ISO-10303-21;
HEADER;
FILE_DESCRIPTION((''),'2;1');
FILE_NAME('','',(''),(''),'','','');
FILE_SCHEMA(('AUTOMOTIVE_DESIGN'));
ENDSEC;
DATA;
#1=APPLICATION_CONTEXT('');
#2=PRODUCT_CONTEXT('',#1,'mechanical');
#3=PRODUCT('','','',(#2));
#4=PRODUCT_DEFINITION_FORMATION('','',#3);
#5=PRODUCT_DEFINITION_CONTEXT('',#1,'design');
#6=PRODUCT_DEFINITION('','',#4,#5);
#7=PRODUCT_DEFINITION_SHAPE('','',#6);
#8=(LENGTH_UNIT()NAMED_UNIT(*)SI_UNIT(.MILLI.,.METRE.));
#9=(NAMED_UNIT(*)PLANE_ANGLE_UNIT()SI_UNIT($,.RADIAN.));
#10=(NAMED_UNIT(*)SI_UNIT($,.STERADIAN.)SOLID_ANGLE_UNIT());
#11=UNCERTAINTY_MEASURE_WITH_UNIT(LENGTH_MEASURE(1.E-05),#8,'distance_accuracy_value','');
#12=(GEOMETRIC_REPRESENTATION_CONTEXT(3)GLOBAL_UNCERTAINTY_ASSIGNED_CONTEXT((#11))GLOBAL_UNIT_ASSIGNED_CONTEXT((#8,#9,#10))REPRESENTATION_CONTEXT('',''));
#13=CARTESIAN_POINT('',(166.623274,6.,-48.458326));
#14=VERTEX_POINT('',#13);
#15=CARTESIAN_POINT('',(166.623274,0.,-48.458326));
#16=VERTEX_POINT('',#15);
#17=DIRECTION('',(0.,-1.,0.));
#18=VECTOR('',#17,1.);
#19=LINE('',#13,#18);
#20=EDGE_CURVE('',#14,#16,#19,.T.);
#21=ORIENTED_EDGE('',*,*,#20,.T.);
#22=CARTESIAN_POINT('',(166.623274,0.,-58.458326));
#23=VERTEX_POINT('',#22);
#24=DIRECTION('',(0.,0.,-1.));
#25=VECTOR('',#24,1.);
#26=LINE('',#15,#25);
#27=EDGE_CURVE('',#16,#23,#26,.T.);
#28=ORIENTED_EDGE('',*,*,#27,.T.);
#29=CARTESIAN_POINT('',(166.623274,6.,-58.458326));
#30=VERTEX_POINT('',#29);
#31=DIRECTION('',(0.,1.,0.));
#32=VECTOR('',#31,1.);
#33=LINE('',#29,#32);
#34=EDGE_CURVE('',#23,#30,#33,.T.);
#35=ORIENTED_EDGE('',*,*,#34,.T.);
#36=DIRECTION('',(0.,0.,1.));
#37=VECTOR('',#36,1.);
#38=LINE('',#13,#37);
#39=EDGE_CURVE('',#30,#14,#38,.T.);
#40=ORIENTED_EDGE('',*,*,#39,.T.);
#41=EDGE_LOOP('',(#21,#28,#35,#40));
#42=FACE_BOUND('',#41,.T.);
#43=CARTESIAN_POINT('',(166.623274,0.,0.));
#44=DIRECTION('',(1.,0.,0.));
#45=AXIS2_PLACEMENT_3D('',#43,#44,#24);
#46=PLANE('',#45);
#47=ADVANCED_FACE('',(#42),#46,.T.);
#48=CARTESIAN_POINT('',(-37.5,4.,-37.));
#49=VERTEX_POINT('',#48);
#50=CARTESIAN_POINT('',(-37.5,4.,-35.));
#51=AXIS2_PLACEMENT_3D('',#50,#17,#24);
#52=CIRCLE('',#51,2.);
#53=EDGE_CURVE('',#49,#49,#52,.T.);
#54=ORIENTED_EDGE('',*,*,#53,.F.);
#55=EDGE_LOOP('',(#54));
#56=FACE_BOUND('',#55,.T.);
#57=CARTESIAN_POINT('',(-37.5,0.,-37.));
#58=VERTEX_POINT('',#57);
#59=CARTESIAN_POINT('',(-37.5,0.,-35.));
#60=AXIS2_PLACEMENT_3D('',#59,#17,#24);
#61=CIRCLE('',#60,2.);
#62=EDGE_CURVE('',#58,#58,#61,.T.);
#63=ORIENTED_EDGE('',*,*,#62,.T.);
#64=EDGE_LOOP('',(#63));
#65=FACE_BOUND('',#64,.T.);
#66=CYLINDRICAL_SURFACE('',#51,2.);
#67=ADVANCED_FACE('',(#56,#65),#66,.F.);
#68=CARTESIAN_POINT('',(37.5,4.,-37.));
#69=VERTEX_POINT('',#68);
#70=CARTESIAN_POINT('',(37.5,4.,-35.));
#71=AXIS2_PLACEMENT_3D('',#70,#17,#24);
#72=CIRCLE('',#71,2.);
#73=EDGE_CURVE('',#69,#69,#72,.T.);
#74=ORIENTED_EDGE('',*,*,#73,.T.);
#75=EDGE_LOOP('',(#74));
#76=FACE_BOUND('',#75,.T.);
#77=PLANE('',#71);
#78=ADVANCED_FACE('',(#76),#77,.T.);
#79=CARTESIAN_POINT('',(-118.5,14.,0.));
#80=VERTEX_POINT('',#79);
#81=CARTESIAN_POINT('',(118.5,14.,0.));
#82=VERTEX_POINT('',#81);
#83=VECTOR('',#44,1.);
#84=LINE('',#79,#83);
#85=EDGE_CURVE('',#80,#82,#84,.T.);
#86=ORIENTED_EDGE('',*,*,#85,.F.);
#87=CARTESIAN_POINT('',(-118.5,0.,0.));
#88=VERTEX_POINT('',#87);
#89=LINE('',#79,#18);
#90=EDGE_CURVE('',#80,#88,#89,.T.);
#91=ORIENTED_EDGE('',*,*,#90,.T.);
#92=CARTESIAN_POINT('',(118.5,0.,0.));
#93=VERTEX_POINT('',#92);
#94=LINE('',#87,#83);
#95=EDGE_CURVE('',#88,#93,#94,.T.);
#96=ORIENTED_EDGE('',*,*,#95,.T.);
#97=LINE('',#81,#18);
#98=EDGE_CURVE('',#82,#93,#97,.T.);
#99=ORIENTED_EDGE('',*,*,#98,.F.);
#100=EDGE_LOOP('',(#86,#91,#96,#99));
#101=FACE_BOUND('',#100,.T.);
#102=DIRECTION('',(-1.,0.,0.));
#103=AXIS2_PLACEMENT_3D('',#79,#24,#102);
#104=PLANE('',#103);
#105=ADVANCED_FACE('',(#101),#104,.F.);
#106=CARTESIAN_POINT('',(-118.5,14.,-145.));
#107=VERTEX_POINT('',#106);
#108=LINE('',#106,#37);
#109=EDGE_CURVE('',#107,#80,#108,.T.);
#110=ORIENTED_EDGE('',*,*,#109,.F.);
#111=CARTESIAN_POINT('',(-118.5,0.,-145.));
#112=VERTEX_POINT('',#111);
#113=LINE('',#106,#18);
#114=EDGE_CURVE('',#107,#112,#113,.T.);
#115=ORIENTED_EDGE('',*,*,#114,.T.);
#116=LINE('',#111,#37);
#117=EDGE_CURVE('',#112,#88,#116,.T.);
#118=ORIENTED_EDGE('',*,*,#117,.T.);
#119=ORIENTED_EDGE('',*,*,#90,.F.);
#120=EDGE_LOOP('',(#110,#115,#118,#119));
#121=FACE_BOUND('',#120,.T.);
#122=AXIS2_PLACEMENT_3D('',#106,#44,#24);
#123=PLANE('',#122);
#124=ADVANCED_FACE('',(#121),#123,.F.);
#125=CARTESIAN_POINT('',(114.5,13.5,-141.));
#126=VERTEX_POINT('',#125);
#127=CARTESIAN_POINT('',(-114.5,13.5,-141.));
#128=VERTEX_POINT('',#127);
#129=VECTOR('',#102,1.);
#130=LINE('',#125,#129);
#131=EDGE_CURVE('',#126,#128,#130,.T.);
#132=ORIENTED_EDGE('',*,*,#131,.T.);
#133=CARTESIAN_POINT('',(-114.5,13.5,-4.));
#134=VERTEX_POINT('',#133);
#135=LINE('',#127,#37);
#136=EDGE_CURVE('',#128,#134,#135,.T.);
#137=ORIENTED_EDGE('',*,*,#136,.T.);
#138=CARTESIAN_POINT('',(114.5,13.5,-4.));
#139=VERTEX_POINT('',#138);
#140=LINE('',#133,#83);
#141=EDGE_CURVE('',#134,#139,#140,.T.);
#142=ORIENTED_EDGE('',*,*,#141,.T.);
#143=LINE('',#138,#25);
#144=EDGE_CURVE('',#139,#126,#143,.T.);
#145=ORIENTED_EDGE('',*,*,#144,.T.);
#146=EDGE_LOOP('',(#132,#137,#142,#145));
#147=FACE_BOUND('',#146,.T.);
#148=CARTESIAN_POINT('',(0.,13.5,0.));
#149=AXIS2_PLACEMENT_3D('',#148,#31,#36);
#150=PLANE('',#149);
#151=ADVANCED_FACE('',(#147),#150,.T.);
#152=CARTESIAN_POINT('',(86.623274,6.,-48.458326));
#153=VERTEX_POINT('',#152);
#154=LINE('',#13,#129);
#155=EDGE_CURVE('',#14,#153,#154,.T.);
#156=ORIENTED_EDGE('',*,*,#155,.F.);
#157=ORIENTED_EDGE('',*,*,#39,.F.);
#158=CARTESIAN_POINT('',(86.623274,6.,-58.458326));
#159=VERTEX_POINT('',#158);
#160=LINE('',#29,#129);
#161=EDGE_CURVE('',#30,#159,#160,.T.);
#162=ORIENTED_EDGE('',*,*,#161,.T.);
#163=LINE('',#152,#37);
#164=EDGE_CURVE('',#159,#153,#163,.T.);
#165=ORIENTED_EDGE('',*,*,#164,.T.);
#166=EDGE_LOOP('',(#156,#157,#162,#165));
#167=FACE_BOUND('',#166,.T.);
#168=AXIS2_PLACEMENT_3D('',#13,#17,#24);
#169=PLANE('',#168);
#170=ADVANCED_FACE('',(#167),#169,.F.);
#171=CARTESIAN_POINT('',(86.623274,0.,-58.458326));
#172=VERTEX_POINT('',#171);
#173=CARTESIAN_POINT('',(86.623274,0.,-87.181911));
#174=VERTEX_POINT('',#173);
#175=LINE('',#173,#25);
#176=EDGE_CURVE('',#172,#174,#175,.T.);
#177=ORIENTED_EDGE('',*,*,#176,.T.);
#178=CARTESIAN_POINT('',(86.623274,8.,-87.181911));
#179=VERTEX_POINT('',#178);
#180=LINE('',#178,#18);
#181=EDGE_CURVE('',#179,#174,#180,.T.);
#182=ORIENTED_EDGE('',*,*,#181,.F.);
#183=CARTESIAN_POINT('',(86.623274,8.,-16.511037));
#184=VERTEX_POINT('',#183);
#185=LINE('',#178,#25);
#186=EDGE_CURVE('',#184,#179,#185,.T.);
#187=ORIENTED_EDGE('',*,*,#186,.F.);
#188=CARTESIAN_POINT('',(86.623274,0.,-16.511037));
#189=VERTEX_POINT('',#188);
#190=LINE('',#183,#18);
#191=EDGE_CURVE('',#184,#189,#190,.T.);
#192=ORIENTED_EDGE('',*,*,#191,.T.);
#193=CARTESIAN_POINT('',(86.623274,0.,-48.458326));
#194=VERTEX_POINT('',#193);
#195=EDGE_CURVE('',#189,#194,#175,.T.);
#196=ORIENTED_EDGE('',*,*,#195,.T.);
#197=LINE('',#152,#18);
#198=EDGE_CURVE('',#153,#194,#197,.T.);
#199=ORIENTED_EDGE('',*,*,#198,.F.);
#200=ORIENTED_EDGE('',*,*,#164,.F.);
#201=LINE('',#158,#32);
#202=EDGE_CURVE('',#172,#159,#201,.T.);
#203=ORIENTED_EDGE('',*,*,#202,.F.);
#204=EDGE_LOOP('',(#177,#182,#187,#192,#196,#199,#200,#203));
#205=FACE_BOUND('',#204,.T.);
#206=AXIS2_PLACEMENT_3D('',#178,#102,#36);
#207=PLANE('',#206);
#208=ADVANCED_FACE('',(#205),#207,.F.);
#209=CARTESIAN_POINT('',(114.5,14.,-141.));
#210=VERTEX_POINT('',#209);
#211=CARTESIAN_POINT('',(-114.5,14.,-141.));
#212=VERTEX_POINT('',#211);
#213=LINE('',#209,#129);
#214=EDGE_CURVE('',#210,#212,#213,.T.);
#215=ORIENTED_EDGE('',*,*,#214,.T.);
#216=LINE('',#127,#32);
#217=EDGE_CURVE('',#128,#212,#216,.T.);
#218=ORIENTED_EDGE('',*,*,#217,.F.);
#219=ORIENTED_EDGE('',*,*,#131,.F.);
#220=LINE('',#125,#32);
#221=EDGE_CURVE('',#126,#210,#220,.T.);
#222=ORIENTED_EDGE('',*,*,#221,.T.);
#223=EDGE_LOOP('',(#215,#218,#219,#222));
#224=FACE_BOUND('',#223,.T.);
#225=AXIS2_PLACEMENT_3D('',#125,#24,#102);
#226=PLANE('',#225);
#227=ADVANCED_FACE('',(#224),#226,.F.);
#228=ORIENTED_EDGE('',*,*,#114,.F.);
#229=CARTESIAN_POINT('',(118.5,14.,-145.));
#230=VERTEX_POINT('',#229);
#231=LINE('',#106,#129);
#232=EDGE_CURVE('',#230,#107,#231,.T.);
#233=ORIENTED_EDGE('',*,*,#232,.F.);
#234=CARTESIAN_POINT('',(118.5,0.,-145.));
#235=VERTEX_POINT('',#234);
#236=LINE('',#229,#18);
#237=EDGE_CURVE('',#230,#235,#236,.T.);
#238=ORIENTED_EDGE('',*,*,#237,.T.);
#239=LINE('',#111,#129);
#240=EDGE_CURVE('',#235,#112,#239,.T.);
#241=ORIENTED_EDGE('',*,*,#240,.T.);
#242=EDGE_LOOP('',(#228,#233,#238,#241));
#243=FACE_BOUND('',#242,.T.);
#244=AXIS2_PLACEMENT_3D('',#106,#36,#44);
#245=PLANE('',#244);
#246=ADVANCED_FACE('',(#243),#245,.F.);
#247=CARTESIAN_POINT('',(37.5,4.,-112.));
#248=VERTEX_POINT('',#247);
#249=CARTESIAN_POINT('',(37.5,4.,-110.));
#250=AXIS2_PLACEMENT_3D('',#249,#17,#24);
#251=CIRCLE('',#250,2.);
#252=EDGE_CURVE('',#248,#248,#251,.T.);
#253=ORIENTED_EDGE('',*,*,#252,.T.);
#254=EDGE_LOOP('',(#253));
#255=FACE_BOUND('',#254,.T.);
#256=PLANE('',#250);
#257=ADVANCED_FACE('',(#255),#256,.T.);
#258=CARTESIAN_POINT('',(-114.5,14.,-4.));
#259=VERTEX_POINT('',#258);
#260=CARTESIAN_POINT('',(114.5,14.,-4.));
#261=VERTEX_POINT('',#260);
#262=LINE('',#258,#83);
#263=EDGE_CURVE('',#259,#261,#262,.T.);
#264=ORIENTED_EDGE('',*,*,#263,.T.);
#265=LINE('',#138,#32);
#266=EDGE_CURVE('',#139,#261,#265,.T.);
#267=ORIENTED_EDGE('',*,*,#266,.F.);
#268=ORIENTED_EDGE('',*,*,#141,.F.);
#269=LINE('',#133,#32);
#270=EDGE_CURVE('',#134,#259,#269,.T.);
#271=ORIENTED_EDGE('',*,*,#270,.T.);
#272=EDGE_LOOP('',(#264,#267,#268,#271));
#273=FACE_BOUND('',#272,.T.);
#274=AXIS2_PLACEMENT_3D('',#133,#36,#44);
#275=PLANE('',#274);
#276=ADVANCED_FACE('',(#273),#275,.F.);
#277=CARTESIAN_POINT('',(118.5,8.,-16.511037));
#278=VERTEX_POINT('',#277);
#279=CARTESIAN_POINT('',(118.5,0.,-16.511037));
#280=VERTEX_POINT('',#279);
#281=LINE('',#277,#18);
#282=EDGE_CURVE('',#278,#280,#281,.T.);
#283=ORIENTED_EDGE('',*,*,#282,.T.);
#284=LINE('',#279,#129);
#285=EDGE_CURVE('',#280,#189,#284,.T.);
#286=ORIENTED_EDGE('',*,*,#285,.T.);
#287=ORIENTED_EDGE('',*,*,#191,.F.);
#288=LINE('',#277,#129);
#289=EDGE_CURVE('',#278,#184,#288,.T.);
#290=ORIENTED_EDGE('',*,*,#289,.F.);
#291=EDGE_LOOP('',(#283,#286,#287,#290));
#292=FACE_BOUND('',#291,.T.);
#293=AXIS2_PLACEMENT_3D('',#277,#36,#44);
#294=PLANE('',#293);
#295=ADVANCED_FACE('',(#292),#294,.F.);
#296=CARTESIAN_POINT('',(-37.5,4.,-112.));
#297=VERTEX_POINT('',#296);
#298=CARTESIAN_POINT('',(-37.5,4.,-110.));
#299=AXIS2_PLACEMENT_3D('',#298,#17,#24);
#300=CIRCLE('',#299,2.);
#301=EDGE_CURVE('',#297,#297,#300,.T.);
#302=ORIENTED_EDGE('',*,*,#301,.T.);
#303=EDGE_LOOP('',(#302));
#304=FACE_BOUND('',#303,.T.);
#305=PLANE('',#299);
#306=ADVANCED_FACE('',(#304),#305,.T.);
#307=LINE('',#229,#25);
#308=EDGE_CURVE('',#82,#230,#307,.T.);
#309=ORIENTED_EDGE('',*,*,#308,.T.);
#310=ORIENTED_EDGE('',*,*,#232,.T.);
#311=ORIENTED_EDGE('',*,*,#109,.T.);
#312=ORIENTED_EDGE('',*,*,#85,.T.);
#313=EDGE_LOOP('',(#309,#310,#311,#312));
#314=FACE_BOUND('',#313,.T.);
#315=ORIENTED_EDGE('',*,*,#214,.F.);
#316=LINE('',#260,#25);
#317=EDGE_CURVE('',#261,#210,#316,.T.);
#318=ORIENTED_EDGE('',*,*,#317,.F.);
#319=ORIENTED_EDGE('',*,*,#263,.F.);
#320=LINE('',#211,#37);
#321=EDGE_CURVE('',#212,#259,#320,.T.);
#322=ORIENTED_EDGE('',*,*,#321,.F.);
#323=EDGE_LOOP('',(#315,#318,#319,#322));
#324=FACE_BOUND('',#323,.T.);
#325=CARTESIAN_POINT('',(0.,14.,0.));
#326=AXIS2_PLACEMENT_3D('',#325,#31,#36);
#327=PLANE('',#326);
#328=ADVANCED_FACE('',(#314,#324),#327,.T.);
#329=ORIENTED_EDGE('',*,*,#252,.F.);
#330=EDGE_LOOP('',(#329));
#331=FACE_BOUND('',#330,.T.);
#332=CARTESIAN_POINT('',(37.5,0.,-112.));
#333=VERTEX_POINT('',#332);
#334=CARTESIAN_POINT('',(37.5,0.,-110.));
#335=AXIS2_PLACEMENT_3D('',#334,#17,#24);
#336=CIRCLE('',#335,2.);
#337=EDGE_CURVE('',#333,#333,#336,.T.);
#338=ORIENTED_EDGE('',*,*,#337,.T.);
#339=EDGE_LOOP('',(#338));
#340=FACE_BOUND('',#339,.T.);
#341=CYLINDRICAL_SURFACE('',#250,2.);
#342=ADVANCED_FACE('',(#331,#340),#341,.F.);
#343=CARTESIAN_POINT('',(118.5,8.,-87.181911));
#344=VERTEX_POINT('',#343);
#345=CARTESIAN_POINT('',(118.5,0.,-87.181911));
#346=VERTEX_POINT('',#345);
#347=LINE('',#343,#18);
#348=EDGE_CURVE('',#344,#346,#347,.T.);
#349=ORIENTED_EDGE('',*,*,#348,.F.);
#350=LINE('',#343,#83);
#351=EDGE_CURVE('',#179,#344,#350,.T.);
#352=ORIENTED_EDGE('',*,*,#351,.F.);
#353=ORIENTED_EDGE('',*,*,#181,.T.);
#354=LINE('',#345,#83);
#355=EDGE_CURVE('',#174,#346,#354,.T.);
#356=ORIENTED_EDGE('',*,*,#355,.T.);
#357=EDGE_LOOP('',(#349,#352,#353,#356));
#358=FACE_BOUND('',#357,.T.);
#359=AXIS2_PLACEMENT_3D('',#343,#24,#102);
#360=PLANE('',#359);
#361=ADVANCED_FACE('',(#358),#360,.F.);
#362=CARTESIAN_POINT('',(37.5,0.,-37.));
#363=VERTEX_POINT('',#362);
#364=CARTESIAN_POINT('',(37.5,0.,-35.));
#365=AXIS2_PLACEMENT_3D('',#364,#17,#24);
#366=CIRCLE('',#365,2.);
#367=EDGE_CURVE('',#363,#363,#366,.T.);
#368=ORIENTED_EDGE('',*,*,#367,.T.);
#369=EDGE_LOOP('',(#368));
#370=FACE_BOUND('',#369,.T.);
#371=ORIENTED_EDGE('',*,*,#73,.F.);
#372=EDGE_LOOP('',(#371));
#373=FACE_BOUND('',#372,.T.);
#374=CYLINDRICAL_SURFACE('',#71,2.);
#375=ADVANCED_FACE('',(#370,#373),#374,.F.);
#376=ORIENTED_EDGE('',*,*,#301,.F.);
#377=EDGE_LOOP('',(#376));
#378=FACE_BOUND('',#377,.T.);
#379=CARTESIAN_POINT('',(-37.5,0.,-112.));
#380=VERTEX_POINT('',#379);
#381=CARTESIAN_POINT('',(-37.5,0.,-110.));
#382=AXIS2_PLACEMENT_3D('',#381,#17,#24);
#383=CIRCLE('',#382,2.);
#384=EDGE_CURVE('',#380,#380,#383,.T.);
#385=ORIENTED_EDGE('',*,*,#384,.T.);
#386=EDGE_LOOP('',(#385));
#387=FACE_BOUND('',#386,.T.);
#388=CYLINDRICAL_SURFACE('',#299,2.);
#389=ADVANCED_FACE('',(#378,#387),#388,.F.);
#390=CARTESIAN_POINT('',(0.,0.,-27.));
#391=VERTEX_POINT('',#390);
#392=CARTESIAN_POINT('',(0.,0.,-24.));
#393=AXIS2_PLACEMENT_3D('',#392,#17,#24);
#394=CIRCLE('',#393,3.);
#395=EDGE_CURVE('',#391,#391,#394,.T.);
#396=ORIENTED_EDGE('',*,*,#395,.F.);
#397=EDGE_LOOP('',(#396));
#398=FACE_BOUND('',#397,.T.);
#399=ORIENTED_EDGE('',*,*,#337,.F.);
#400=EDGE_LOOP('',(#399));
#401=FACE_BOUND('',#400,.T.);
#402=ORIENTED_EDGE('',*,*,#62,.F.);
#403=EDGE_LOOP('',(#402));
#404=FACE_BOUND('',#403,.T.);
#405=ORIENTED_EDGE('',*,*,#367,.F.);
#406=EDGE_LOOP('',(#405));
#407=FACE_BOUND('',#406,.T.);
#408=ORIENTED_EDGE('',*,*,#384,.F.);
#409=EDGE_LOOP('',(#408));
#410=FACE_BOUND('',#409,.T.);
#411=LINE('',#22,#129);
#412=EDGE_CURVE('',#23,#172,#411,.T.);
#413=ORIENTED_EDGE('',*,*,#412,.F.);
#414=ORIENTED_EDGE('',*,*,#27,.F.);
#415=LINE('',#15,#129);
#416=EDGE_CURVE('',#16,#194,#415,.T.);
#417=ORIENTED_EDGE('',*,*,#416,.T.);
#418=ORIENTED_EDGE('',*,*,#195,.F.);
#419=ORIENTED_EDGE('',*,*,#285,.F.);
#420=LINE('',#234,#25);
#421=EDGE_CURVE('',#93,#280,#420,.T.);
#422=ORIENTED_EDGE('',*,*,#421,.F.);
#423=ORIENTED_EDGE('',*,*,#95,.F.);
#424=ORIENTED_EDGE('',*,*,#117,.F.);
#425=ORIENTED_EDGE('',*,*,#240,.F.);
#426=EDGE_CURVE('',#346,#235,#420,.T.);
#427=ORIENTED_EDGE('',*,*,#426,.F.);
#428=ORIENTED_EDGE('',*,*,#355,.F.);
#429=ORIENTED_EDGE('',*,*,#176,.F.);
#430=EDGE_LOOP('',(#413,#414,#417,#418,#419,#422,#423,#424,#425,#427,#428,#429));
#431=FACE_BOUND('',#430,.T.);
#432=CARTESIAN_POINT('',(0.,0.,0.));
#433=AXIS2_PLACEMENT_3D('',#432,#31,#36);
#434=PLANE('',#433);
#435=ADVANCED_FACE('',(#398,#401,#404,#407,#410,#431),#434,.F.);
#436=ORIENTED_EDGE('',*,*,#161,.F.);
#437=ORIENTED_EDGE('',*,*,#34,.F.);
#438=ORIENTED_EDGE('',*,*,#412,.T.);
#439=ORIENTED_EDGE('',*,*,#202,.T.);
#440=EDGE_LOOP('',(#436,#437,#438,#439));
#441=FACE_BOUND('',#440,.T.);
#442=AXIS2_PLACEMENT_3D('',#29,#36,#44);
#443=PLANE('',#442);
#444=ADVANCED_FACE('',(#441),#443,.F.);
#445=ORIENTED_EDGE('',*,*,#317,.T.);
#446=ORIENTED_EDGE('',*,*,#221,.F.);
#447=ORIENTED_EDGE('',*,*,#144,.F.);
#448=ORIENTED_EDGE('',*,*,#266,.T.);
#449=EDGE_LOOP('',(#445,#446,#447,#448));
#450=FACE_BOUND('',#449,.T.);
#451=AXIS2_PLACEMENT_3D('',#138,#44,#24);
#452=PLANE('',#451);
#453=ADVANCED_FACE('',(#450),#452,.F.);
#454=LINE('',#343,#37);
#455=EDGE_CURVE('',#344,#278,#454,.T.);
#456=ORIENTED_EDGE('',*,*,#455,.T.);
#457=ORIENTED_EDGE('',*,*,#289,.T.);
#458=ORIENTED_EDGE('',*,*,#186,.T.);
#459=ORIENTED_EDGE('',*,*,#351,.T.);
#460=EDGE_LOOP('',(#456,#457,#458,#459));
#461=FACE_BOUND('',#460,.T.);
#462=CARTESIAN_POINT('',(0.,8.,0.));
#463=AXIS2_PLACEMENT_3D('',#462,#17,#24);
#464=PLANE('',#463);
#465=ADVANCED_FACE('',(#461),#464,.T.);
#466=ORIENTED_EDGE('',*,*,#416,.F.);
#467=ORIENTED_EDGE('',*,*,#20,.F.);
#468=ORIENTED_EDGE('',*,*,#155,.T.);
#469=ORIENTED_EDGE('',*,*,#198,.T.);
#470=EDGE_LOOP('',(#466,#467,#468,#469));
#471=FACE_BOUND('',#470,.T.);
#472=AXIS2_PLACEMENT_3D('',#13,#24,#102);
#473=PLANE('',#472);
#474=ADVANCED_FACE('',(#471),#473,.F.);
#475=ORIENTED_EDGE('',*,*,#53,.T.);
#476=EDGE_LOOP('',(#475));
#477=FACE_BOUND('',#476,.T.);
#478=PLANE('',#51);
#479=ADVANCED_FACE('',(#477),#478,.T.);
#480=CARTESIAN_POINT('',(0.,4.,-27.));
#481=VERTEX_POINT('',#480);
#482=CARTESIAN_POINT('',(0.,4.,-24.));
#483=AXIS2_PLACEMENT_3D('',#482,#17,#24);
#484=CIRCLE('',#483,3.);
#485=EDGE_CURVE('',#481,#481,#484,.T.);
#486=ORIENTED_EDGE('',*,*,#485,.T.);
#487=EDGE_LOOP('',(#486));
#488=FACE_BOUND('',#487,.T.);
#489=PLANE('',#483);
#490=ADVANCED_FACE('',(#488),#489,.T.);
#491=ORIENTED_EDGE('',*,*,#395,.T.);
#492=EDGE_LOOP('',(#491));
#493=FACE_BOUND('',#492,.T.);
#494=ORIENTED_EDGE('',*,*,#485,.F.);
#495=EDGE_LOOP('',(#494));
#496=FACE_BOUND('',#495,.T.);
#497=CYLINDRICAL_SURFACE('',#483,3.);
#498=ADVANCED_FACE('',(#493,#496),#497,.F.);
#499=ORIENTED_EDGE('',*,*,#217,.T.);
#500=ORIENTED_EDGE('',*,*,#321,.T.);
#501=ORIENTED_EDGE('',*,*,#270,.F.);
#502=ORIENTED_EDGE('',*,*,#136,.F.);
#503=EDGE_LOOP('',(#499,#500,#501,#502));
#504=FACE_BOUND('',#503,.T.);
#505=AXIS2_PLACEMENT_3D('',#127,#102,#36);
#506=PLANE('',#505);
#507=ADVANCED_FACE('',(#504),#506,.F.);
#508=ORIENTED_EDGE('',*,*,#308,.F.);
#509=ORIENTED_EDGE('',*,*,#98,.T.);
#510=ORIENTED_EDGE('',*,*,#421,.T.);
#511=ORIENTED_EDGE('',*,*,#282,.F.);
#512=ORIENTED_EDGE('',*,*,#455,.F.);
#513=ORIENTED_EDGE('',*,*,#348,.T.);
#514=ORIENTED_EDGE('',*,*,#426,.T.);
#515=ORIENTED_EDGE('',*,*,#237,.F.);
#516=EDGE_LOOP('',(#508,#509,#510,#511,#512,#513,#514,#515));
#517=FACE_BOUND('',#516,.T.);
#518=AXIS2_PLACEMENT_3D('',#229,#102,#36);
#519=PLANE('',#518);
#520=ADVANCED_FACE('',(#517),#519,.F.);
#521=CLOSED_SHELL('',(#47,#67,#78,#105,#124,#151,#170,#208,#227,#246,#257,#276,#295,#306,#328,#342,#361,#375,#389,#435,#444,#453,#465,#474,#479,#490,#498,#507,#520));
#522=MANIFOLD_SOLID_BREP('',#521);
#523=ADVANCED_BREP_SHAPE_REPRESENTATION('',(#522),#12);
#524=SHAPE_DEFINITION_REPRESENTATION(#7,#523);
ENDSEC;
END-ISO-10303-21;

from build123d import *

# Parameters (mm, degrees)
SKETCH_1_W          = 237
SKETCH_1_H          = 145
EXTRUDE_1_DEPTH     = 14
SKETCH_2_R          = 2
SKETCH_2_R_2        = 3
CUT_EXTRUDE_1_DEPTH = 4
SKETCH_3_W          = 31.876725666
SKETCH_3_H          = 70.670873742
CUT_EXTRUDE_2_DEPTH = 8
SKETCH_4_W          = 229
SKETCH_4_H          = 137
CUT_EXTRUDE_3_DEPTH = 0.5
SKETCH_5_W          = 10
SKETCH_5_H          = 6
EXTRUDE_2_DEPTH     = 80


with BuildPart() as part:
    # 草图1 → 凸台-拉伸1 (new body)
    with BuildSketch(Plane(origin=(0, 0, 0), x_dir=(1, 0, 0), z_dir=(0, 1, 0))):
        with Locations((0, 72.5)):
            Rectangle(SKETCH_1_W, SKETCH_1_H)
    extrude(amount=EXTRUDE_1_DEPTH)

    # 草图2 → 切除-拉伸1 (cut)
    with BuildSketch(Plane.XZ):
        with Locations(Location((37.5, -110, 0), (0, 0, 270))):
            Circle(SKETCH_2_R)
        with Locations(Location((-37.5, -110, 0), (0, 0, 270))):
            Circle(SKETCH_2_R)
        with Locations(Location((-37.5, -35, 0), (0, 0, 270))):
            Circle(SKETCH_2_R)
        with Locations(Location((37.5, -35, 0), (0, 0, 270))):
            Circle(SKETCH_2_R)
        with Locations(Location((0, -24, 0), (0, 0, 270))):
            Circle(SKETCH_2_R_2)
    extrude(amount=-CUT_EXTRUDE_1_DEPTH, mode=Mode.SUBTRACT)

    # 草图3 → 切除-拉伸2 (cut)
    with BuildSketch(Plane.XZ):
        with Locations((102.561637167, -51.846473886)):
            Rectangle(SKETCH_3_W, SKETCH_3_H)
    extrude(amount=-CUT_EXTRUDE_2_DEPTH, mode=Mode.SUBTRACT)

    # 草图4 → 切除-拉伸3 (cut)
    with BuildSketch(Plane(origin=(0, 14, 0), x_dir=(1, 0, 0), z_dir=(0, 1, 0))):
        with Locations((0, 72.5)):
            Rectangle(SKETCH_4_W, SKETCH_4_H)
    extrude(amount=-CUT_EXTRUDE_3_DEPTH, mode=Mode.SUBTRACT)

    # 草图5 → 凸台-拉伸2 (add)
    with BuildSketch(Plane(origin=(86.623274334, 0, 0), x_dir=(0, 0, -1), z_dir=(1, 0, 0))):
        with Locations((53.458325759, 3)):
            Rectangle(SKETCH_5_W, SKETCH_5_H)
    extrude(amount=EXTRUDE_2_DEPTH)


solid = part.part
